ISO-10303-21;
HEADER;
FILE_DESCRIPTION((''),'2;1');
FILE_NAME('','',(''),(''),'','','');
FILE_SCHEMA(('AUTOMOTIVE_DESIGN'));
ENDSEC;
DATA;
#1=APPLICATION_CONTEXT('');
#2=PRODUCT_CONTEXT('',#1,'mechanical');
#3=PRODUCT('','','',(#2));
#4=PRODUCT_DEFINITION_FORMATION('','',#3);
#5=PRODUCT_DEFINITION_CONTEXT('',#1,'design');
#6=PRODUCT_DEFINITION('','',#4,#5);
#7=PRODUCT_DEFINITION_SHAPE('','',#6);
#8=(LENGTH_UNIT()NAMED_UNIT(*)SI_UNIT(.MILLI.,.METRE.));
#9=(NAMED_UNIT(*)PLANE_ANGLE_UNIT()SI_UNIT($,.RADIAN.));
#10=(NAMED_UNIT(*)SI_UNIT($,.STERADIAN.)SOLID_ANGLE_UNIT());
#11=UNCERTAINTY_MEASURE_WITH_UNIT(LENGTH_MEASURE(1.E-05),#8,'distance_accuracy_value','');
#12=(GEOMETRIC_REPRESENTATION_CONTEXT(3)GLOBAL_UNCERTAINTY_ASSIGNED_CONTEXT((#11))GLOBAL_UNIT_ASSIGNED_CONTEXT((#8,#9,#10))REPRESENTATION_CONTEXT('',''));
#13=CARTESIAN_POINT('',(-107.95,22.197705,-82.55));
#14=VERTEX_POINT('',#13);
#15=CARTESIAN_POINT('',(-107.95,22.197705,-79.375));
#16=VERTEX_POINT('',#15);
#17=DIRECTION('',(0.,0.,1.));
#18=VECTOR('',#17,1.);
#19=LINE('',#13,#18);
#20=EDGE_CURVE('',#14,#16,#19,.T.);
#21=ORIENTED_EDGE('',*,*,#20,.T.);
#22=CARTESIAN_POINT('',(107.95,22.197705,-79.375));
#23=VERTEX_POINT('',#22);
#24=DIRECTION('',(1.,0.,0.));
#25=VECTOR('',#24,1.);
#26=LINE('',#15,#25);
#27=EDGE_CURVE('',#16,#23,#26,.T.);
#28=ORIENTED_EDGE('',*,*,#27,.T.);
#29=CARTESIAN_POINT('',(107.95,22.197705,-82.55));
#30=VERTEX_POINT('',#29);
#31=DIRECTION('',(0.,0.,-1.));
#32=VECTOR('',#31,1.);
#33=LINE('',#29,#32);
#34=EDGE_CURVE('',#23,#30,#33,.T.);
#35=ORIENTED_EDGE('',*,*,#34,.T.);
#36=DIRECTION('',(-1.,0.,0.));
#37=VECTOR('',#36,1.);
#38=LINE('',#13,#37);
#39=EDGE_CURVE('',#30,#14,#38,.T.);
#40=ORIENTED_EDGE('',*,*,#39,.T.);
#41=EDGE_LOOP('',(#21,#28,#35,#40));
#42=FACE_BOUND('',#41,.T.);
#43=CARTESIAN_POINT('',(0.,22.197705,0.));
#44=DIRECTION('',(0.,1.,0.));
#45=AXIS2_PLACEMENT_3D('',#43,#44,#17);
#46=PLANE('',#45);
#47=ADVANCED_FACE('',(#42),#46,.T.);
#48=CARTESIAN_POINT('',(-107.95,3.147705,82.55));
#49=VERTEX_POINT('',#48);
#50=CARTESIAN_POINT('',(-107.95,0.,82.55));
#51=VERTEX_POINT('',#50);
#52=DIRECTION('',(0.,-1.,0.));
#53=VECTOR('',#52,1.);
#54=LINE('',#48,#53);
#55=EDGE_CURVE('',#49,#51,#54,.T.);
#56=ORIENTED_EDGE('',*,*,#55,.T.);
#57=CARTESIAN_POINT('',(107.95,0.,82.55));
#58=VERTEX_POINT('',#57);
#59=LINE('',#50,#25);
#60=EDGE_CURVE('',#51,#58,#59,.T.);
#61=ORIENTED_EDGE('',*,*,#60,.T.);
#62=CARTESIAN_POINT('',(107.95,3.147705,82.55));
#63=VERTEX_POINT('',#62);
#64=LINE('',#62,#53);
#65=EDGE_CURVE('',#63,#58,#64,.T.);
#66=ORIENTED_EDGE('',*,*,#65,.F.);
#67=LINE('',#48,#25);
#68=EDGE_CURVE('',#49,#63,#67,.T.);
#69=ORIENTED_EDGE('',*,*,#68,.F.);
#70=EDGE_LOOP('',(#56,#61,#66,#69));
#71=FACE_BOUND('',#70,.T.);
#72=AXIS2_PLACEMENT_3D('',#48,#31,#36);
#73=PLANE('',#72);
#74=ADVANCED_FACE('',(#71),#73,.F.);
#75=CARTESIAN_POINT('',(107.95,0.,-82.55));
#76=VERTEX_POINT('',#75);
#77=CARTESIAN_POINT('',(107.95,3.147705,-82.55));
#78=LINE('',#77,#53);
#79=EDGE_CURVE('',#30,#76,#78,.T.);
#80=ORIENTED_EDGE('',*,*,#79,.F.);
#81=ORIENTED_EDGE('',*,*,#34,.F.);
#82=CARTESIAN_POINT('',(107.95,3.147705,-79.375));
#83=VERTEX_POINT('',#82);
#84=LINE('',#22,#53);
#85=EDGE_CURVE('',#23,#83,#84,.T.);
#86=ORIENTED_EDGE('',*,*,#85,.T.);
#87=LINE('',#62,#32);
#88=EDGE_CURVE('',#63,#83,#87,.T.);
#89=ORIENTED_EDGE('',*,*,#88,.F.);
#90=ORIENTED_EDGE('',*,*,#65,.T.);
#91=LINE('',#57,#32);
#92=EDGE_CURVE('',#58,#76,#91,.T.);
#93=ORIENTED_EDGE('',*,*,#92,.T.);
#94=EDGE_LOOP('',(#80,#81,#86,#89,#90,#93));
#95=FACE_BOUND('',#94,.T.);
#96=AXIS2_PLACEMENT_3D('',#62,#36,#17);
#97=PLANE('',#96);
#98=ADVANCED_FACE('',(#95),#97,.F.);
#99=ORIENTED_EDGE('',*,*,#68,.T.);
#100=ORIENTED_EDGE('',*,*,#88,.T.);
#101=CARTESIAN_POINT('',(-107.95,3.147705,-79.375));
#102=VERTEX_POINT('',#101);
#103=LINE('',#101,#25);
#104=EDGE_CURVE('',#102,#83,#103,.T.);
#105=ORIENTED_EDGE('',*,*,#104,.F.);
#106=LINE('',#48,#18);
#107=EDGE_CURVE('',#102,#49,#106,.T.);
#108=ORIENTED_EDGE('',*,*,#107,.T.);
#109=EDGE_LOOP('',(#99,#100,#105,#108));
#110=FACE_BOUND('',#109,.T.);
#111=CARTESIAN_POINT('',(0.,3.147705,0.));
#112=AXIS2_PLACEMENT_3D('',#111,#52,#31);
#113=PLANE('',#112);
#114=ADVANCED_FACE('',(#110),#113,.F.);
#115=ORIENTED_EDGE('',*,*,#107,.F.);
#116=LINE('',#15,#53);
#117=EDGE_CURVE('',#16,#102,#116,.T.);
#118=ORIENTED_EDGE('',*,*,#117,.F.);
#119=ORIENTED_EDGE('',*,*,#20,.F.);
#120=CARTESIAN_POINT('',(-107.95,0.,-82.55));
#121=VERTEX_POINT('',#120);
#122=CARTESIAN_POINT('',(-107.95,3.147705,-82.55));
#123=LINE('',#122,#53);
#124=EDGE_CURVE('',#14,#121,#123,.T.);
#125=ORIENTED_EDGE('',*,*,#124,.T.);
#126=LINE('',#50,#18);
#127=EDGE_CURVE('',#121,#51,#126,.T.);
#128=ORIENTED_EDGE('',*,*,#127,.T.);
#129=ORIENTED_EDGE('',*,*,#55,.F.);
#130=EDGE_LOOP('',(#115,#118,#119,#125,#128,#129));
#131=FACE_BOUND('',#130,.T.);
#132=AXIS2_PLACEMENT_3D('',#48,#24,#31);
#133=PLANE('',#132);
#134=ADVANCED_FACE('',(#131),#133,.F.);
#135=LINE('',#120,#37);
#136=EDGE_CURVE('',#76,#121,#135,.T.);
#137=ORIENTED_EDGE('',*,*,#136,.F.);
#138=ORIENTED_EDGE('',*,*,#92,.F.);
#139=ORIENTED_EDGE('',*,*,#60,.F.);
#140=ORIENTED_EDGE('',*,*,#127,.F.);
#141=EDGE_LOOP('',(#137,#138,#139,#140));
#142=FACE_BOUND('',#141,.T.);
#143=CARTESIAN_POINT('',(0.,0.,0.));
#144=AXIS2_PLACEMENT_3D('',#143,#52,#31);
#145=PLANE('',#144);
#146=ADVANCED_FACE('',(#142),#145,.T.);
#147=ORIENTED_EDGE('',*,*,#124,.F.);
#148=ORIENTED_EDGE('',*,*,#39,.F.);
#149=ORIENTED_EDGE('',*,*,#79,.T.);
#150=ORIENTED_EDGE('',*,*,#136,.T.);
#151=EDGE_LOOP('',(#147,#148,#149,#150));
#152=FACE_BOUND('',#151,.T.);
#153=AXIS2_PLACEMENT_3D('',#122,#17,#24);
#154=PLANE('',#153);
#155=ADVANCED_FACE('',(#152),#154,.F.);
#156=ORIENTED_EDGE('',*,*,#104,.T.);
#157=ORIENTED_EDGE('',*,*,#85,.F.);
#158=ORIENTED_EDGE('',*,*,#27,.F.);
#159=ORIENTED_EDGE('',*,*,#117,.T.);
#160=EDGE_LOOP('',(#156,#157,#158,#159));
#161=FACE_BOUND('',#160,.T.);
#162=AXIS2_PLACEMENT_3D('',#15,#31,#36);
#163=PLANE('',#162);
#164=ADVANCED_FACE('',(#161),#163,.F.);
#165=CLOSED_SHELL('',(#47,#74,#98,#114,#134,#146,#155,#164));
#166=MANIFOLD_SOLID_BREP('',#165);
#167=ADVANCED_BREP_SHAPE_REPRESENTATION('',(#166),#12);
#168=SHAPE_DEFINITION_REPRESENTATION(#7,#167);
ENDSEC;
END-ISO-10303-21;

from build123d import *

# Parameters (mm, degrees)
SKETCH1_W           = 215.9
SKETCH1_H           = 165.1
BOSS_EXTRUDE3_DEPTH = 3.147705411
SKETCH3_W           = 215.9
SKETCH3_H           = 3.175
BOSS_EXTRUDE4_DEPTH = 19.05


with BuildPart() as part:
    # Sketch1 → Boss-Extrude3 (new body)
    with BuildSketch(Plane(origin=(0, 0, 0), x_dir=(1, 0, 0), z_dir=(0, 1, 0))):
        Rectangle(SKETCH1_W, SKETCH1_H)
    extrude(amount=BOSS_EXTRUDE3_DEPTH)

    # Sketch3 → Boss-Extrude4 (add)
    with BuildSketch(Plane(origin=(0, 3.147705411, 0), x_dir=(1, 0, 0), z_dir=(0, 1, 0))):
        with Locations((0, 80.9625)):
            Rectangle(SKETCH3_W, SKETCH3_H)
    extrude(amount=BOSS_EXTRUDE4_DEPTH)


solid = part.part
